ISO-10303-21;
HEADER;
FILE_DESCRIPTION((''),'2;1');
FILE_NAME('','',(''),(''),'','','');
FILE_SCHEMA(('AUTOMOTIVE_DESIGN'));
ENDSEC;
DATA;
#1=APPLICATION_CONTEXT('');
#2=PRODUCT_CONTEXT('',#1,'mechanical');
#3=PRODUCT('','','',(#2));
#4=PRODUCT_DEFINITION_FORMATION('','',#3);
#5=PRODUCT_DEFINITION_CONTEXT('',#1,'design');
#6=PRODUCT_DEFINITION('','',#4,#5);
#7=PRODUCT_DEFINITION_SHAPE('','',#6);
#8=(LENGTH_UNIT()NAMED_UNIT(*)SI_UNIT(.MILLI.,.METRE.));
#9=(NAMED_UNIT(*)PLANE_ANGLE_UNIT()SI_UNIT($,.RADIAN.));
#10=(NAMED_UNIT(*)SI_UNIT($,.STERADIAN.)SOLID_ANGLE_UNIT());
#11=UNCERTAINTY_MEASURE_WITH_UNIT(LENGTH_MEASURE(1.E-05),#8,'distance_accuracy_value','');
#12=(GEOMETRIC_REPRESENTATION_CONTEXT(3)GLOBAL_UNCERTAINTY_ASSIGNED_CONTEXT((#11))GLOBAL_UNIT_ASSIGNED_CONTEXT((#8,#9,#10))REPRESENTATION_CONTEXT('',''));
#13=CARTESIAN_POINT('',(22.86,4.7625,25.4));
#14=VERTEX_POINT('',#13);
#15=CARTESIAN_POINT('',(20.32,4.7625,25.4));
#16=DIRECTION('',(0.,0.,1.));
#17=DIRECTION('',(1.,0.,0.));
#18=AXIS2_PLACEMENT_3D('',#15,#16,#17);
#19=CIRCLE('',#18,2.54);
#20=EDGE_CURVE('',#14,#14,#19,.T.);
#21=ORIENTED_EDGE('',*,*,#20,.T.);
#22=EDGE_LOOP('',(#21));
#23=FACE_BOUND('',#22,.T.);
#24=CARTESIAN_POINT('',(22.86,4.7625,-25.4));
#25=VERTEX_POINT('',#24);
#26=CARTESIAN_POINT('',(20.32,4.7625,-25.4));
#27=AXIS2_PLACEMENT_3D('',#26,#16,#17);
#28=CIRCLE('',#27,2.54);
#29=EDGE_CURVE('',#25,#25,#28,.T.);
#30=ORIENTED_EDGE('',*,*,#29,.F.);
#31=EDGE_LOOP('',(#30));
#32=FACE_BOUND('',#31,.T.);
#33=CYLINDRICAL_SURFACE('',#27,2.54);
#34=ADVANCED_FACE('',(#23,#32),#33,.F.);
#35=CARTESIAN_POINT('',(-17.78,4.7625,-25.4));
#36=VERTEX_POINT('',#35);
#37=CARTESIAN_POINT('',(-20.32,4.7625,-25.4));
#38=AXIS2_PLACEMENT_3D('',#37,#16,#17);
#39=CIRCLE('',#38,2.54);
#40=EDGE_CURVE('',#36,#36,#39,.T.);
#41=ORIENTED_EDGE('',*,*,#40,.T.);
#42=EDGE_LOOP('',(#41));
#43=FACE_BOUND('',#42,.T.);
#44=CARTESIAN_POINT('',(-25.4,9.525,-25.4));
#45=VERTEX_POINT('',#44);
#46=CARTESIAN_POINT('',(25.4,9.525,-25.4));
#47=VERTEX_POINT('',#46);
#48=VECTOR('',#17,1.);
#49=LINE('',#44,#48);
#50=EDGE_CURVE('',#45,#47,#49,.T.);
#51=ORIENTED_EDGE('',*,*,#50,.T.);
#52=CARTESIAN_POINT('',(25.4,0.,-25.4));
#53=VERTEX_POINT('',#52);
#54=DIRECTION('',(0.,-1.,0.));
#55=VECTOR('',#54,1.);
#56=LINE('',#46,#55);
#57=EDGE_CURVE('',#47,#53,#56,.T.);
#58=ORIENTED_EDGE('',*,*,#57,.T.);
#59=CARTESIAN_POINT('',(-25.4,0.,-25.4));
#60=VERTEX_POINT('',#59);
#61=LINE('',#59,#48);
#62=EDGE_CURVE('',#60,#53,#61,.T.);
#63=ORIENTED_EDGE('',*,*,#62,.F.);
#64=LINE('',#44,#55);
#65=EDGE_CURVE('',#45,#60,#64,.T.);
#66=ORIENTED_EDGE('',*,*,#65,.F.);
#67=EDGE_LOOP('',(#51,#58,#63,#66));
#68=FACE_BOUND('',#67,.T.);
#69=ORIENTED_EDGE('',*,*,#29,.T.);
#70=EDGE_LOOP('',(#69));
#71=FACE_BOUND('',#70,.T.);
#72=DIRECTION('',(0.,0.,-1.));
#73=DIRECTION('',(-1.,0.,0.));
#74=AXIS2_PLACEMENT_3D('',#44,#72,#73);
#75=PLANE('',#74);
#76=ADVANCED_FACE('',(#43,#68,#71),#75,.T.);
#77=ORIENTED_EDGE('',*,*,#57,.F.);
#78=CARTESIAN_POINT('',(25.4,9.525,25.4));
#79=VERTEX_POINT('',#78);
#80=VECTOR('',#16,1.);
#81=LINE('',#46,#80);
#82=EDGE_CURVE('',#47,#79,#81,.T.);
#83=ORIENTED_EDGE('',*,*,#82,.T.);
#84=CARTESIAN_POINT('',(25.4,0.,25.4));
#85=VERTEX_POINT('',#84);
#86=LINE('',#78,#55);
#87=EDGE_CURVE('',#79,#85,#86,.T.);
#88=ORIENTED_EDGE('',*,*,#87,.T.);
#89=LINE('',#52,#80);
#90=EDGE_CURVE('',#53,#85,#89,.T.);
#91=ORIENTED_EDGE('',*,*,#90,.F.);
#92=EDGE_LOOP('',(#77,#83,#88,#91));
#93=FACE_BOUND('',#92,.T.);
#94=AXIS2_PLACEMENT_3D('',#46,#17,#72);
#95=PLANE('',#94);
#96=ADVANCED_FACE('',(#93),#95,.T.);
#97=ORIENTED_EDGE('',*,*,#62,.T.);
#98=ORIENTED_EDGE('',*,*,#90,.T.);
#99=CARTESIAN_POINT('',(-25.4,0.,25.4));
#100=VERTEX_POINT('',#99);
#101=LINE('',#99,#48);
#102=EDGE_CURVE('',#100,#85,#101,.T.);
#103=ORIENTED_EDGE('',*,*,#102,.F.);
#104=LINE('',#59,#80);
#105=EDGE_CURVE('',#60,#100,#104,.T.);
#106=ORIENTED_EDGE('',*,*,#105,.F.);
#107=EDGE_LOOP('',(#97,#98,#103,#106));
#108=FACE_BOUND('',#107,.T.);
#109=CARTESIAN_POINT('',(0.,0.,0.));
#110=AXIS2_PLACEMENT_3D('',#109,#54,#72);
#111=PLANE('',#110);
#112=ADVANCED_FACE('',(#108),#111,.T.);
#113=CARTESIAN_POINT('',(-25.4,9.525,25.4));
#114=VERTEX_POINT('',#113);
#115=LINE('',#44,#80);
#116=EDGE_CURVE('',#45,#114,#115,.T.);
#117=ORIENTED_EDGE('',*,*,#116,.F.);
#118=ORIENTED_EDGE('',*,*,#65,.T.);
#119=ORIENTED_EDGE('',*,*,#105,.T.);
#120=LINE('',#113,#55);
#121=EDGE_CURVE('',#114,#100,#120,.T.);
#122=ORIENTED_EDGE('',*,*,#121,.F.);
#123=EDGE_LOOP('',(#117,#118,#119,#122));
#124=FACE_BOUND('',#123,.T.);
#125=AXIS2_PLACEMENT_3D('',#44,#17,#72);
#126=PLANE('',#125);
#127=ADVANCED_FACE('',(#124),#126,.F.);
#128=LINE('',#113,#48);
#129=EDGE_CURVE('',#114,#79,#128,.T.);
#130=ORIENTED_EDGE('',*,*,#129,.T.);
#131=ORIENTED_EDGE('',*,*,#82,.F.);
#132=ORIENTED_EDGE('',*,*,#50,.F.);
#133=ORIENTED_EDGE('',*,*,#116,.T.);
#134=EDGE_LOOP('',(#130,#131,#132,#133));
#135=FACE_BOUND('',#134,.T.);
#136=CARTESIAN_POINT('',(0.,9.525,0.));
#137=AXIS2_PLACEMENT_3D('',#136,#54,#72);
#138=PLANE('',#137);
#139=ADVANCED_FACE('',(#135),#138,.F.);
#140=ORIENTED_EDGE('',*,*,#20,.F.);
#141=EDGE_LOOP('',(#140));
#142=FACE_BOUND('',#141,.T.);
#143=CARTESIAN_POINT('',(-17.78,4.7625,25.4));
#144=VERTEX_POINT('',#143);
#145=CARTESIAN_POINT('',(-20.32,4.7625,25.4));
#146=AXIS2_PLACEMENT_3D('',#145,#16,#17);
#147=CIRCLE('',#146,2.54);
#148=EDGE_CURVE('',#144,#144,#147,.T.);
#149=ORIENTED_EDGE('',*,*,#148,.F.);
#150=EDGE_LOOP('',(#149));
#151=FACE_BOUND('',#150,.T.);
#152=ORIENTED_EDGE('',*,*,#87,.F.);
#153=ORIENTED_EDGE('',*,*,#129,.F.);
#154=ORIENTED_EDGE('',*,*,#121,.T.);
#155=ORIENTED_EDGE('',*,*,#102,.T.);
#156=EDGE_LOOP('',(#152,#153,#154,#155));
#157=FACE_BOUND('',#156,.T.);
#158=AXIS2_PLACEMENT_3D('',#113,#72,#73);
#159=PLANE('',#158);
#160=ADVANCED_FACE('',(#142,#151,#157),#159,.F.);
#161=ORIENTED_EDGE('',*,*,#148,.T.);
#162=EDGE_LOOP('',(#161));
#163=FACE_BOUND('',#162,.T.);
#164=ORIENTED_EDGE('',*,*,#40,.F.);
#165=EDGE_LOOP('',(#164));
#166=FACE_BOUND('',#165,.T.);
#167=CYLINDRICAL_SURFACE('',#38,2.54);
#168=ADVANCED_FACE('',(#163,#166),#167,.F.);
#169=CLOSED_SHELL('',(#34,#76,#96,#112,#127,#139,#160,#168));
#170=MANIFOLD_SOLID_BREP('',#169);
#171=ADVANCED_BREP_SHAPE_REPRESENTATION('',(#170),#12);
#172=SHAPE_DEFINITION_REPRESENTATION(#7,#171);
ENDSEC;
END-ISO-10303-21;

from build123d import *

# Parameters (mm, degrees)
SKETCH2_W                 = 50.8
SKETCH2_H                 = 50.8
BOSS_EXTRUDE1_DEPTH       = 9.525
F_6_32_TAPPED_HOLE1_D     = 2.7051
F_6_32_TAPPED_HOLE1_DEPTH = 9.398
F_6_32_TAPPED_HOLE1_TIP   = 0.81269403
F_6_32_TAPPED_HOLE2_D     = 2.7051
F_6_32_TAPPED_HOLE2_DEPTH = 9.398
F_6_32_TAPPED_HOLE2_TIP   = 0.81269403
SKETCH3_R                 = 2.54
CUT_EXTRUDE1_DEPTH        = 58.589283942


with BuildPart() as part:
    # Sketch2 → Boss-Extrude1 (new body)
    with BuildSketch(Plane(origin=(0, 0, 0), x_dir=(1, 0, 0), z_dir=(0, 1, 0))):
        Rectangle(SKETCH2_W, SKETCH2_H)
    extrude(amount=BOSS_EXTRUDE1_DEPTH)

    # #6-32 Tapped Hole1
    with Locations(Plane.XY.offset(25.4)):
        with Locations((-20.32, 4.7625), (20.32, 4.7625)):
            Hole(F_6_32_TAPPED_HOLE1_D / 2, depth=F_6_32_TAPPED_HOLE1_DEPTH)
            with Locations((0, 0, -(F_6_32_TAPPED_HOLE1_DEPTH + F_6_32_TAPPED_HOLE1_TIP / 2))):  # 118° drill point
                Cone(0, F_6_32_TAPPED_HOLE1_D / 2, F_6_32_TAPPED_HOLE1_TIP, mode=Mode.SUBTRACT)

    # #6-32 Tapped Hole2
    with Locations(Plane(origin=(0, 0, -25.4), x_dir=(-1, 0, 0), z_dir=(0, 0, -1))):
        with Locations((-20.32, 4.7625), (20.32, 4.7625)):
            Hole(F_6_32_TAPPED_HOLE2_D / 2, depth=F_6_32_TAPPED_HOLE2_DEPTH)
            with Locations((0, 0, -(F_6_32_TAPPED_HOLE2_DEPTH + F_6_32_TAPPED_HOLE2_TIP / 2))):  # 118° drill point
                Cone(0, F_6_32_TAPPED_HOLE2_D / 2, F_6_32_TAPPED_HOLE2_TIP, mode=Mode.SUBTRACT)

    # Sketch3 → Cut-Extrude1 (cut, through all)
    with BuildSketch(Plane.XY.offset(25.4)):
        with Locations((20.32, 4.7625)):
            Circle(SKETCH3_R)
        with Locations((-20.32, 4.7625)):
            Circle(SKETCH3_R)
    extrude(amount=-CUT_EXTRUDE1_DEPTH, mode=Mode.SUBTRACT)


solid = part.part
